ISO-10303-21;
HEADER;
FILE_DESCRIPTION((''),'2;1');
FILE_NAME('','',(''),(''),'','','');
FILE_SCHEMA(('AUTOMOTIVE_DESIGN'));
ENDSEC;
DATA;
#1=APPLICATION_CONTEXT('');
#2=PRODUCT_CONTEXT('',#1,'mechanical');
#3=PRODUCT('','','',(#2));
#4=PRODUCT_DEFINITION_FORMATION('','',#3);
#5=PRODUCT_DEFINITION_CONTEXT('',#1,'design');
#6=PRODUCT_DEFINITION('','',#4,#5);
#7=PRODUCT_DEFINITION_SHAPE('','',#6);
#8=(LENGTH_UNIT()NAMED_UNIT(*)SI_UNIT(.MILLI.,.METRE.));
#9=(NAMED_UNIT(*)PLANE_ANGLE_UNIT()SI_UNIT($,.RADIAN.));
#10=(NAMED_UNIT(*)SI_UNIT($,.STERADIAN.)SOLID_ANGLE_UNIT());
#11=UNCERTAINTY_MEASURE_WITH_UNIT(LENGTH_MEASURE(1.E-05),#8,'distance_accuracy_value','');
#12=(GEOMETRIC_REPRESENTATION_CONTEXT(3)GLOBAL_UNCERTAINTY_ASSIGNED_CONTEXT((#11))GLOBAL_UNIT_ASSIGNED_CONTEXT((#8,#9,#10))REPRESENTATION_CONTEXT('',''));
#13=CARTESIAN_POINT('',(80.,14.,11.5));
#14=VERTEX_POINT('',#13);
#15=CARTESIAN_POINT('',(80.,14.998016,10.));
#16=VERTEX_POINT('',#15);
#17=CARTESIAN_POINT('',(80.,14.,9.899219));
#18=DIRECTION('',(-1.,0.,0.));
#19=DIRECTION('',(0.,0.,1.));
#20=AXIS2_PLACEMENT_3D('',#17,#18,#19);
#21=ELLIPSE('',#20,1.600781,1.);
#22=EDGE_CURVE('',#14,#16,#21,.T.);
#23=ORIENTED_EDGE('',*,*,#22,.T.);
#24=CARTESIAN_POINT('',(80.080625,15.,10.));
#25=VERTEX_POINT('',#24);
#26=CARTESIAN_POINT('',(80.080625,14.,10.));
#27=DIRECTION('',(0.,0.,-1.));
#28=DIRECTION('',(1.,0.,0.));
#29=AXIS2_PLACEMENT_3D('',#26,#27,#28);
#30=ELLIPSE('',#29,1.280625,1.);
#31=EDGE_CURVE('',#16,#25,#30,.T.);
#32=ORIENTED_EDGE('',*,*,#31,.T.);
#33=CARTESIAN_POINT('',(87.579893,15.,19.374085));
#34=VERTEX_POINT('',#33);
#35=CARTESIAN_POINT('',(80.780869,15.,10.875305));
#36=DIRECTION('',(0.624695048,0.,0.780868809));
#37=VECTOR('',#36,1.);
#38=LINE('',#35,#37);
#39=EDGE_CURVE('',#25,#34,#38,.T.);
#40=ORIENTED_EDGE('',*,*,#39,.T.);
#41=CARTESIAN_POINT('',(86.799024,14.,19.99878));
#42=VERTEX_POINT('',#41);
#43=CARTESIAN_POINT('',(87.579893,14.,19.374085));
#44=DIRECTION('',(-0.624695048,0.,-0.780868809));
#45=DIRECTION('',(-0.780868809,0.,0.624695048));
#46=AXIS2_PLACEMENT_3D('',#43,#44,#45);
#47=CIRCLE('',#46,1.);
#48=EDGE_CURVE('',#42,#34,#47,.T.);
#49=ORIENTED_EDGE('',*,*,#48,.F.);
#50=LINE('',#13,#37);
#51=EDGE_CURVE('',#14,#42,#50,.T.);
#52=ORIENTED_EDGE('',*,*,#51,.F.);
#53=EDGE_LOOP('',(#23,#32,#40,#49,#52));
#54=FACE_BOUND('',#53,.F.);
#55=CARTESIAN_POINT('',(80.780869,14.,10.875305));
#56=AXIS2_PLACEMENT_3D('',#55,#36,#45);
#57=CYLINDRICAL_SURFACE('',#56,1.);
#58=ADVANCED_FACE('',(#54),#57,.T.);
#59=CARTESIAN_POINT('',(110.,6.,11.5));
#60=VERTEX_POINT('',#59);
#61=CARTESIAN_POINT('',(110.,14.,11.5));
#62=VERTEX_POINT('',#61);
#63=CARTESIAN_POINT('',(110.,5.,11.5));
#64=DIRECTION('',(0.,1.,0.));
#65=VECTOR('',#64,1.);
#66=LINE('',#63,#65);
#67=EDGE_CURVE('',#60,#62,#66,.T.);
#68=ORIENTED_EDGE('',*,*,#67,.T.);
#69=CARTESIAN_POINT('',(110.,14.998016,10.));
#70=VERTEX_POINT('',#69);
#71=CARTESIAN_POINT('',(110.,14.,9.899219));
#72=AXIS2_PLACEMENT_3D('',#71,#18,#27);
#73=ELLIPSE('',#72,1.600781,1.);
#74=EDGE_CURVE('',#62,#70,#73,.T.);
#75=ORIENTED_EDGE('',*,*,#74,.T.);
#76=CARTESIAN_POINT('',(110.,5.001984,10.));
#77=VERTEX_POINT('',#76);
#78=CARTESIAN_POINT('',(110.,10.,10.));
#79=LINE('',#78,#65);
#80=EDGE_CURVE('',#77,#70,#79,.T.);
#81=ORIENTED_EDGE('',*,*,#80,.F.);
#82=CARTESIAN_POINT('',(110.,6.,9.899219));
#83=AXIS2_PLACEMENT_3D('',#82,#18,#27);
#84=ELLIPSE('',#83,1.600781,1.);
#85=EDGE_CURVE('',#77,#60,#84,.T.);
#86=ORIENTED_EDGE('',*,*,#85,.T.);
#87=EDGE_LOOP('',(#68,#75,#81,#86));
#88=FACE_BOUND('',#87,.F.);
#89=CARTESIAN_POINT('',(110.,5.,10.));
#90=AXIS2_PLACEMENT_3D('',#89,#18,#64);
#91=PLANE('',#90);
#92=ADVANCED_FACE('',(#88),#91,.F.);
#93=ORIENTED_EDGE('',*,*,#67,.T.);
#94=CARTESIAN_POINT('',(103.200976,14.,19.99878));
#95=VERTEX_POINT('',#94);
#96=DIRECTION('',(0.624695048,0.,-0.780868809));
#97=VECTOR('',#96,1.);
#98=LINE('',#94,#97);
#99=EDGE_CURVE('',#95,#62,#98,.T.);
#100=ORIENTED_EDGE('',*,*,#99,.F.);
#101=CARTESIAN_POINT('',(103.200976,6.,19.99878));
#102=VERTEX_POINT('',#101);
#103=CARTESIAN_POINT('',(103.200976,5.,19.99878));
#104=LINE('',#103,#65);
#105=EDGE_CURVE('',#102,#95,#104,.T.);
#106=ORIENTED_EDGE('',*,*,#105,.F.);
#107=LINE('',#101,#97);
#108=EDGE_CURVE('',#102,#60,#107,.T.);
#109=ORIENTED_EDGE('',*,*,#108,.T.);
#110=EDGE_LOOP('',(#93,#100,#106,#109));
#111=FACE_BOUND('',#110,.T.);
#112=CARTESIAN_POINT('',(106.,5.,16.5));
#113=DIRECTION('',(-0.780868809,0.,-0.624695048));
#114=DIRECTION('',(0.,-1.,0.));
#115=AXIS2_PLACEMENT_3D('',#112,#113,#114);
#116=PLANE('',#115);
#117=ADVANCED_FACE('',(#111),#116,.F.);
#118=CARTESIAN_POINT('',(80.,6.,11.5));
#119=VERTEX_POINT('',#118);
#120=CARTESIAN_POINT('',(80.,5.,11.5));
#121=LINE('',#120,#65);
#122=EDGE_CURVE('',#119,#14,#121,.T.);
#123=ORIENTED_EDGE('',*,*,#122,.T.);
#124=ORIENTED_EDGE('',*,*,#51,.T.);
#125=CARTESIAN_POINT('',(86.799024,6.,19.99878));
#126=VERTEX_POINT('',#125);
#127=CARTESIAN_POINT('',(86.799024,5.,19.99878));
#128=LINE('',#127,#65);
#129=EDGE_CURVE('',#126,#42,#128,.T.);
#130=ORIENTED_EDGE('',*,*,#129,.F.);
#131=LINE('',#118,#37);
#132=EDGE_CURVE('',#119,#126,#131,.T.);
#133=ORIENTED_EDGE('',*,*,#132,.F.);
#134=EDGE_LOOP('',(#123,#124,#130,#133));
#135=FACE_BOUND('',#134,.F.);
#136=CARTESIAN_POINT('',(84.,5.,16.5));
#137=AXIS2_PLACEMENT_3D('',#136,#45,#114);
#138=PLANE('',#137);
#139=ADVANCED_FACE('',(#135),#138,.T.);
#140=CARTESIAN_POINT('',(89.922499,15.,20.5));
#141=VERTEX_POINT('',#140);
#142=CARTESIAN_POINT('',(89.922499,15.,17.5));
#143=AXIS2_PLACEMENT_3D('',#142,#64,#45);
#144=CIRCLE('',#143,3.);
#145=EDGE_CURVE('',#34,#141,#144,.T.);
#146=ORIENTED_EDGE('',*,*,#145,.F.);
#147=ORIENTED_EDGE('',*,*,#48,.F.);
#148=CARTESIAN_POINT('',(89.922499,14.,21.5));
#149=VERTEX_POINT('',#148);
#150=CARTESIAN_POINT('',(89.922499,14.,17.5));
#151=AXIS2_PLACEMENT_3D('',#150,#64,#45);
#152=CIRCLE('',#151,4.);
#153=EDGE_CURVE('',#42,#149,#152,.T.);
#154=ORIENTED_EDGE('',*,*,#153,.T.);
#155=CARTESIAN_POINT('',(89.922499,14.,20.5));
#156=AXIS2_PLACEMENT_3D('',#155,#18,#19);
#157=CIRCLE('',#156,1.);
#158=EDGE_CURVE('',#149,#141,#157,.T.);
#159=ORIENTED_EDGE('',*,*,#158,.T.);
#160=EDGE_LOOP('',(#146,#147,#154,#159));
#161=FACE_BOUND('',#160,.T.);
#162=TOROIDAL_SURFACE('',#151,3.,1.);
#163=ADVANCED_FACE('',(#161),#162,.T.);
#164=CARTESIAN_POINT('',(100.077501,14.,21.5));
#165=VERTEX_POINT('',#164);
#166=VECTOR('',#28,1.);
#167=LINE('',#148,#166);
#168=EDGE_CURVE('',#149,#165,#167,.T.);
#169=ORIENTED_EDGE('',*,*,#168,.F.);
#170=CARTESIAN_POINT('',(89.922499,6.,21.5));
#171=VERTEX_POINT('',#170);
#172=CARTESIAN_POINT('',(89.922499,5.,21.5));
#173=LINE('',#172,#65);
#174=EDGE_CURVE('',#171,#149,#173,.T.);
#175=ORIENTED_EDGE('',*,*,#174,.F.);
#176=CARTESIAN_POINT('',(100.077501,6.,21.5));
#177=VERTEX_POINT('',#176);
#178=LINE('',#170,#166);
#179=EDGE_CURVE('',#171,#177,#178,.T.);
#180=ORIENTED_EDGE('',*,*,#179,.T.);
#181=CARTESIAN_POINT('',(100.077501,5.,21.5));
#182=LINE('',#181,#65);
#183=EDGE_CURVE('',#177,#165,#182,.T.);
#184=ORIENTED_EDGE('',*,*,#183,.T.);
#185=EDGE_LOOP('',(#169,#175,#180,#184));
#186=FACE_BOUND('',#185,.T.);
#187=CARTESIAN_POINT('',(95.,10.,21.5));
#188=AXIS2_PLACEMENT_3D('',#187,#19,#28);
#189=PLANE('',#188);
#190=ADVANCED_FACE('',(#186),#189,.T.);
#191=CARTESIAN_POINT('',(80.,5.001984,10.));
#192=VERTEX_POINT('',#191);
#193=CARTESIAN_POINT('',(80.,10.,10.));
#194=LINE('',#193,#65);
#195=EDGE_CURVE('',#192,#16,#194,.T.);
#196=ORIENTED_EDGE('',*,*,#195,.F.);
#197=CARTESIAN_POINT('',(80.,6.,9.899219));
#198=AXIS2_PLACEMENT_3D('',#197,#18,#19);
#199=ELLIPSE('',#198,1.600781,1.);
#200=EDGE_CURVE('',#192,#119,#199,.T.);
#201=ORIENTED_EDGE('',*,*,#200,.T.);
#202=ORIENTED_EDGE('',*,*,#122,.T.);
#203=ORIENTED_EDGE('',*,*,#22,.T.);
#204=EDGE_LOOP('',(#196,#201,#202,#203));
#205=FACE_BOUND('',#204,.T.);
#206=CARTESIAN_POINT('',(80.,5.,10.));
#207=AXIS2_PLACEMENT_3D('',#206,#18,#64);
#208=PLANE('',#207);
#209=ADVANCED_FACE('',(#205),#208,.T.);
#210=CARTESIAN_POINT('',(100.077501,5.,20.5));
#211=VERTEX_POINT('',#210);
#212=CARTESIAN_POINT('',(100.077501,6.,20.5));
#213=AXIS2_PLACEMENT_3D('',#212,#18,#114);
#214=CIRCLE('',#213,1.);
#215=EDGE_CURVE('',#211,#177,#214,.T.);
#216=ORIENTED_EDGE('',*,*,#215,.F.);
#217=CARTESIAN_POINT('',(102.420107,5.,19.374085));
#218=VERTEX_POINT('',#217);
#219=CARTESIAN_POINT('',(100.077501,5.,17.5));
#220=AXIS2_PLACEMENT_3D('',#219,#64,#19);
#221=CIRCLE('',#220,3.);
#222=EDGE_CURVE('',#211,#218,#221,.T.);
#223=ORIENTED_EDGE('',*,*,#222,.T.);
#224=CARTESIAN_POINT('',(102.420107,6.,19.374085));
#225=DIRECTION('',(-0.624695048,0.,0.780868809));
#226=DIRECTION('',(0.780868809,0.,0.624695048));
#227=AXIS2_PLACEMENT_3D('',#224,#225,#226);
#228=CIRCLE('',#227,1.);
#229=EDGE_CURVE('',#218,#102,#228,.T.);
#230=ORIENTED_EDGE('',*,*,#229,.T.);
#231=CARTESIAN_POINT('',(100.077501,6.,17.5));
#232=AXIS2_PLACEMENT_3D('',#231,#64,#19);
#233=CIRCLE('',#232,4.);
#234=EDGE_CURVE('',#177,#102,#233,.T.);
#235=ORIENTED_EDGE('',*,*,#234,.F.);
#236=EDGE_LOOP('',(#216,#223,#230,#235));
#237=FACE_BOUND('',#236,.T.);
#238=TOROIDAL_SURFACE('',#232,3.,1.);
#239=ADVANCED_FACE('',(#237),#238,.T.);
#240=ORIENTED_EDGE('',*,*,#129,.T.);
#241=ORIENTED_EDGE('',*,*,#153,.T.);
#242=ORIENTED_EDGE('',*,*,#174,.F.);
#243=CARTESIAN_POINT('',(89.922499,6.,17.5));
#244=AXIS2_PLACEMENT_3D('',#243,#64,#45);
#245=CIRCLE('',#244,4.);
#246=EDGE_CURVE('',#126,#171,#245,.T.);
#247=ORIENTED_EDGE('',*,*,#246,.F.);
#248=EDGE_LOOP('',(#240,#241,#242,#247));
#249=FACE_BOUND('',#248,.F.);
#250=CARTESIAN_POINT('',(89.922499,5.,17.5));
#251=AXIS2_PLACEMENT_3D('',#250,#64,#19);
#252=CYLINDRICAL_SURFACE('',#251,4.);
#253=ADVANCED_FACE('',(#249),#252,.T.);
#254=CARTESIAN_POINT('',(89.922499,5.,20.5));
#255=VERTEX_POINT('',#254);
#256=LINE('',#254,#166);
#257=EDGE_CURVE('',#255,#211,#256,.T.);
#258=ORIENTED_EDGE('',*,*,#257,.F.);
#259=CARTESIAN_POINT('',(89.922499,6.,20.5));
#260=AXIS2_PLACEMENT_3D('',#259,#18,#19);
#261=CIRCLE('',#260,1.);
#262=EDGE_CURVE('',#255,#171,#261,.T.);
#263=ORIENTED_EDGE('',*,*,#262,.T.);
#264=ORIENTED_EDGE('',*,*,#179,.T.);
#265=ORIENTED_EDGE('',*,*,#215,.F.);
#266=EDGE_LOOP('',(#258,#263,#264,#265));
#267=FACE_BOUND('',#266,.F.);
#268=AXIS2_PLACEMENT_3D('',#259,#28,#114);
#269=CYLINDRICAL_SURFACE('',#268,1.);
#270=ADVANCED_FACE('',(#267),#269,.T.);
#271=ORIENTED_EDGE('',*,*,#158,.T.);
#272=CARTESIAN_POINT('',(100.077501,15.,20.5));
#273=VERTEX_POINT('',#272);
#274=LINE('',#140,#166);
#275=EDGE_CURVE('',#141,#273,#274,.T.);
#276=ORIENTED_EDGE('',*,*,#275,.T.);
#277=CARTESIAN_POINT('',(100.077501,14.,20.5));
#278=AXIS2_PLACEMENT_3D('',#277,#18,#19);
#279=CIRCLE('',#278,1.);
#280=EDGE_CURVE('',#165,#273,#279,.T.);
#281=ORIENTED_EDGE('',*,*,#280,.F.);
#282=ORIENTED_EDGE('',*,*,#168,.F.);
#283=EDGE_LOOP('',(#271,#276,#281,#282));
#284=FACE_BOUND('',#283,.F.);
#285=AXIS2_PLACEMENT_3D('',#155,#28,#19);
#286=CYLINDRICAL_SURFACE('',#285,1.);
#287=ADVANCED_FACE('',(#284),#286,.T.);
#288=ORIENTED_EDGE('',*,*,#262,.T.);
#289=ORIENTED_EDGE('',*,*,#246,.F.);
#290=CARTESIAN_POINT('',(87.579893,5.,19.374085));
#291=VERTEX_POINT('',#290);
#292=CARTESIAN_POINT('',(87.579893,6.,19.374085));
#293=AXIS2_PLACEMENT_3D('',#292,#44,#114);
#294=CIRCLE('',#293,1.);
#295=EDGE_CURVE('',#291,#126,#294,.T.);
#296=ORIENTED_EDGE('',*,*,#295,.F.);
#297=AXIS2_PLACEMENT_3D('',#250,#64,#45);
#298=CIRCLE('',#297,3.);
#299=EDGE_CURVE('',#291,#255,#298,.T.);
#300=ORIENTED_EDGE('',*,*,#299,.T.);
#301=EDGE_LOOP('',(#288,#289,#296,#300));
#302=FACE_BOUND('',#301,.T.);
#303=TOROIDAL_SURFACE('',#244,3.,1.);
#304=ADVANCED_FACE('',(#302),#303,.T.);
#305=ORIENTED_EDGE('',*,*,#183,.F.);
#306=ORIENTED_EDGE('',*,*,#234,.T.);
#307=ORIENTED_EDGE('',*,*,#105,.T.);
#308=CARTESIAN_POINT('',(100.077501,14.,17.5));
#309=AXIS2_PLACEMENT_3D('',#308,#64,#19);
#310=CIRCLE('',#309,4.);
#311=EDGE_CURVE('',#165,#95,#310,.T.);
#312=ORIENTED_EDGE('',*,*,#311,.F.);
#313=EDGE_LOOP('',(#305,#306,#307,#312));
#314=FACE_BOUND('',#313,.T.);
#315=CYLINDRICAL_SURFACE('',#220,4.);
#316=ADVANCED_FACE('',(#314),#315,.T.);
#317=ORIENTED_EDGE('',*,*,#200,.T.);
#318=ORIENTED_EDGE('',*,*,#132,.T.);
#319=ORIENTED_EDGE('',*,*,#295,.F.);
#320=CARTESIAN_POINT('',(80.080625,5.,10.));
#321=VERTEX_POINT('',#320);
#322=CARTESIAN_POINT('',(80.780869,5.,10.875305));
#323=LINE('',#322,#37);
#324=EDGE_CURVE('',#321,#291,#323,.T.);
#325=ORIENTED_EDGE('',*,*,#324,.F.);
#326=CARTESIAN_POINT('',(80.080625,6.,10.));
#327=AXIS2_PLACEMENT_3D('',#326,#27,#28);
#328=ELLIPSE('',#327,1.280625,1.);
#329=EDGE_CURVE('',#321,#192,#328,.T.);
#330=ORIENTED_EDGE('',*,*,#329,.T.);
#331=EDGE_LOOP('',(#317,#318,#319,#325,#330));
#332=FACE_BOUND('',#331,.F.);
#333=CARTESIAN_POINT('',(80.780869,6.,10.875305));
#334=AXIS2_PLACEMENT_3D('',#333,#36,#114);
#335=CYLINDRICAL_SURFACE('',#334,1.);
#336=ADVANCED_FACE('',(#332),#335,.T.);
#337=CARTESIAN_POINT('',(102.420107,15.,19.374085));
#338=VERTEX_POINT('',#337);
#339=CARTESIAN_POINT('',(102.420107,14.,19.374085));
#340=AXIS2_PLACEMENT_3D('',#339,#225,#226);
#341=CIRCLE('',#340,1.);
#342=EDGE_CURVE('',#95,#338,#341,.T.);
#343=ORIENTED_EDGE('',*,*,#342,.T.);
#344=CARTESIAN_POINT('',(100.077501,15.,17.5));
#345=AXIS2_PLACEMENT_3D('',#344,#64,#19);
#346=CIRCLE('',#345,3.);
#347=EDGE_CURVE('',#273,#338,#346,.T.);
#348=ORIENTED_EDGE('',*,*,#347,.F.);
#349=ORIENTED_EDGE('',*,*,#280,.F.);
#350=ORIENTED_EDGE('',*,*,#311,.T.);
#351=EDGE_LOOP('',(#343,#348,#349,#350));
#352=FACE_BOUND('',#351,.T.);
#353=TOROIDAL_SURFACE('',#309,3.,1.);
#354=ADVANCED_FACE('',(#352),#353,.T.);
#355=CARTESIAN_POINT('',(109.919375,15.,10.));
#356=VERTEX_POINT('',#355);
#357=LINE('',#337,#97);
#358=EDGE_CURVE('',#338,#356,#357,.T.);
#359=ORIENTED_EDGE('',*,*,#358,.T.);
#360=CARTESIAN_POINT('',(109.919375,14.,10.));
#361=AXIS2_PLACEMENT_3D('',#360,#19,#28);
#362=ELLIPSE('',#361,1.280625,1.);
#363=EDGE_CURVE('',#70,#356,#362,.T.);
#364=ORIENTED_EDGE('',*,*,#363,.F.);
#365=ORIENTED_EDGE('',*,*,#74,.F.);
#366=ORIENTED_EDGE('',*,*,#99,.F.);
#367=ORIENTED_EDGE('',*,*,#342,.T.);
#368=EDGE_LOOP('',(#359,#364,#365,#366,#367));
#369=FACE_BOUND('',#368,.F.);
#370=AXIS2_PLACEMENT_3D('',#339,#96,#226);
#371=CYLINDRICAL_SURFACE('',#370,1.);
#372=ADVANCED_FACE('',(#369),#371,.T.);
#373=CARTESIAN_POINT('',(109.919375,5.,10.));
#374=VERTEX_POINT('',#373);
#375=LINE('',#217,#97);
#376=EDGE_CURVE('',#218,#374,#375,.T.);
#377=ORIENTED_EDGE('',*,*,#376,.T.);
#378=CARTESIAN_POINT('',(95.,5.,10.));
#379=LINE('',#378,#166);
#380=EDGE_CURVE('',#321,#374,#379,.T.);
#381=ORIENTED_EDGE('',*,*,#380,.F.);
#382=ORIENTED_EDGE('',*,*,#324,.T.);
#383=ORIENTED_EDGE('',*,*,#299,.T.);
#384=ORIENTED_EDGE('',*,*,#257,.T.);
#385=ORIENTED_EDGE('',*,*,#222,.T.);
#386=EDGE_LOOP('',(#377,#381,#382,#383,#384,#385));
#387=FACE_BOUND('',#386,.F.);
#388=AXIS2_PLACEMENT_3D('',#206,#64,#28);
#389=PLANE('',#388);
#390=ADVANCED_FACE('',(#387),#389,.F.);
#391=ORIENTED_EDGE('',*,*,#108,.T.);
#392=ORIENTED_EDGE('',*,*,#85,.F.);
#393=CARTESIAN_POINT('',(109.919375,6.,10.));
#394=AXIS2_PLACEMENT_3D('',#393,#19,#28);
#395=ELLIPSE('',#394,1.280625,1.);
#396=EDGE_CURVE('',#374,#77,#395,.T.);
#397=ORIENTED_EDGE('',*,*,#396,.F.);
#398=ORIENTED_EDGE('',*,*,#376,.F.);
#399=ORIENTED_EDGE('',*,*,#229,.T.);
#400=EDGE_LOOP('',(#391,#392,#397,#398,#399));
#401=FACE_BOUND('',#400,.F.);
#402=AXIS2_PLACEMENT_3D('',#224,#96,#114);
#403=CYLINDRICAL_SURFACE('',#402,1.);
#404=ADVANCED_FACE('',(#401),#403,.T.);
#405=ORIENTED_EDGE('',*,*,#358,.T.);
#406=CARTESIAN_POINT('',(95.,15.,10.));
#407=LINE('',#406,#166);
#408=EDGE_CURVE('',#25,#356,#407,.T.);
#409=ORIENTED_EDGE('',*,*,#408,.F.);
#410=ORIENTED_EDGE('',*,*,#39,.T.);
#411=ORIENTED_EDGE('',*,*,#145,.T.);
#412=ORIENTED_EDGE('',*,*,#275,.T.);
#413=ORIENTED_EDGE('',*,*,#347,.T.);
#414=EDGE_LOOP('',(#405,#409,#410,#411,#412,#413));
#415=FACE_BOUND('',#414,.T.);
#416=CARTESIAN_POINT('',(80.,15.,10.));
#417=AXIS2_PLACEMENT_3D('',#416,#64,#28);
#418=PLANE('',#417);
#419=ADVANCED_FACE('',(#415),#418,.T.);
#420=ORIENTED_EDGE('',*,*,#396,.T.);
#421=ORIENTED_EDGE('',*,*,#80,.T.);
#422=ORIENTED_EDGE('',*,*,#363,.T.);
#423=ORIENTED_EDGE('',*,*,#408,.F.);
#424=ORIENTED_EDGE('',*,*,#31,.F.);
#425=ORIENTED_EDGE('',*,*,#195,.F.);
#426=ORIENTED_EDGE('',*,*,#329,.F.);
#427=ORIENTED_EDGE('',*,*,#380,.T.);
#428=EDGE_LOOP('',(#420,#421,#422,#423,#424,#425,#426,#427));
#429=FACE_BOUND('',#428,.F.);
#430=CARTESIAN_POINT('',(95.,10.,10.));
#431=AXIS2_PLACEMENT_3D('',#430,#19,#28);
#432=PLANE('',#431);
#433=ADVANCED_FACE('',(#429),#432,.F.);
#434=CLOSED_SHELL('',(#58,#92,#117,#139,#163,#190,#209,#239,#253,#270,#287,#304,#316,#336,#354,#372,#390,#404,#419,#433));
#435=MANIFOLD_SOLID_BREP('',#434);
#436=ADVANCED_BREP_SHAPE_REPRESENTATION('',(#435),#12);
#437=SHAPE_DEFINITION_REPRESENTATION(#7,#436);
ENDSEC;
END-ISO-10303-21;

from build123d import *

# Parameters (mm, degrees)
BOX023_W             = 30
BOX023_H             = 10
BOX023_DEPTH         = 11.5
CHAMFER019_1_SIZE2   = 8
CHAMFER019_1_SIZE    = 10
CHAMFER019_2_SIZE2   = 8
CHAMFER019_2_SIZE    = 10
FILLET002008005015_R = 4
FILLET002008005016_R = 1


with BuildPart() as part:
    # Box023 → Box023 (new body)
    with BuildSketch(Plane(origin=(80, 5, 3), x_dir=(1, 0, 0), z_dir=(0, 0, 1))):
        with Locations((15, 5)):
            Rectangle(BOX023_W, BOX023_H)
    extrude(amount=BOX023_DEPTH)

    # Chamfer019 1
    chamfer019_1_edges = [part.edges().sort_by_distance(p)[0] for p in [
        (110, 10, 14.5),
    ]]
    chamfer019_1_side = part.faces().sort_by_distance((110, 10, 8.75))[0]
    chamfer(chamfer019_1_edges, length=CHAMFER019_1_SIZE, length2=CHAMFER019_1_SIZE2, reference=chamfer019_1_side)

    # Chamfer019 2
    chamfer019_2_edges = [part.edges().sort_by_distance(p)[0] for p in [
        (80, 10, 14.5),
    ]]
    chamfer019_2_side = part.faces().sort_by_distance((80, 10, 8.75))[0]
    chamfer(chamfer019_2_edges, length=CHAMFER019_2_SIZE, length2=CHAMFER019_2_SIZE2, reference=chamfer019_2_side)

    # Fillet002008005015
    fillet002008005015_edges = [part.edges().sort_by_distance(p)[0] for p in [
        (88, 10, 14.5),
        (102, 10, 14.5),
    ]]
    fillet(fillet002008005015_edges, radius=FILLET002008005015_R)

    # Fillet002008005016
    fillet002008005016_edges = [part.edges().sort_by_distance(p)[0] for p in [
        (83.399512, 5, 8.74939),
        (88.189744, 5, 14.105213),
        (95, 5, 14.5),
        (101.810256, 5, 14.105213),
        (106.600488, 5, 8.74939),
        (83.399512, 15, 8.74939),
        (88.189744, 15, 14.105213),
        (95, 15, 14.5),
        (101.810256, 15, 14.105213),
        (106.600488, 15, 8.74939),
    ]]
    fillet(fillet002008005016_edges, radius=FILLET002008005016_R)


with BuildPart() as part_1:
    # Fillet002008005016 placement: moved
    add(part.part.moved(Location((0, 0, 7))))


solid = part_1.part
